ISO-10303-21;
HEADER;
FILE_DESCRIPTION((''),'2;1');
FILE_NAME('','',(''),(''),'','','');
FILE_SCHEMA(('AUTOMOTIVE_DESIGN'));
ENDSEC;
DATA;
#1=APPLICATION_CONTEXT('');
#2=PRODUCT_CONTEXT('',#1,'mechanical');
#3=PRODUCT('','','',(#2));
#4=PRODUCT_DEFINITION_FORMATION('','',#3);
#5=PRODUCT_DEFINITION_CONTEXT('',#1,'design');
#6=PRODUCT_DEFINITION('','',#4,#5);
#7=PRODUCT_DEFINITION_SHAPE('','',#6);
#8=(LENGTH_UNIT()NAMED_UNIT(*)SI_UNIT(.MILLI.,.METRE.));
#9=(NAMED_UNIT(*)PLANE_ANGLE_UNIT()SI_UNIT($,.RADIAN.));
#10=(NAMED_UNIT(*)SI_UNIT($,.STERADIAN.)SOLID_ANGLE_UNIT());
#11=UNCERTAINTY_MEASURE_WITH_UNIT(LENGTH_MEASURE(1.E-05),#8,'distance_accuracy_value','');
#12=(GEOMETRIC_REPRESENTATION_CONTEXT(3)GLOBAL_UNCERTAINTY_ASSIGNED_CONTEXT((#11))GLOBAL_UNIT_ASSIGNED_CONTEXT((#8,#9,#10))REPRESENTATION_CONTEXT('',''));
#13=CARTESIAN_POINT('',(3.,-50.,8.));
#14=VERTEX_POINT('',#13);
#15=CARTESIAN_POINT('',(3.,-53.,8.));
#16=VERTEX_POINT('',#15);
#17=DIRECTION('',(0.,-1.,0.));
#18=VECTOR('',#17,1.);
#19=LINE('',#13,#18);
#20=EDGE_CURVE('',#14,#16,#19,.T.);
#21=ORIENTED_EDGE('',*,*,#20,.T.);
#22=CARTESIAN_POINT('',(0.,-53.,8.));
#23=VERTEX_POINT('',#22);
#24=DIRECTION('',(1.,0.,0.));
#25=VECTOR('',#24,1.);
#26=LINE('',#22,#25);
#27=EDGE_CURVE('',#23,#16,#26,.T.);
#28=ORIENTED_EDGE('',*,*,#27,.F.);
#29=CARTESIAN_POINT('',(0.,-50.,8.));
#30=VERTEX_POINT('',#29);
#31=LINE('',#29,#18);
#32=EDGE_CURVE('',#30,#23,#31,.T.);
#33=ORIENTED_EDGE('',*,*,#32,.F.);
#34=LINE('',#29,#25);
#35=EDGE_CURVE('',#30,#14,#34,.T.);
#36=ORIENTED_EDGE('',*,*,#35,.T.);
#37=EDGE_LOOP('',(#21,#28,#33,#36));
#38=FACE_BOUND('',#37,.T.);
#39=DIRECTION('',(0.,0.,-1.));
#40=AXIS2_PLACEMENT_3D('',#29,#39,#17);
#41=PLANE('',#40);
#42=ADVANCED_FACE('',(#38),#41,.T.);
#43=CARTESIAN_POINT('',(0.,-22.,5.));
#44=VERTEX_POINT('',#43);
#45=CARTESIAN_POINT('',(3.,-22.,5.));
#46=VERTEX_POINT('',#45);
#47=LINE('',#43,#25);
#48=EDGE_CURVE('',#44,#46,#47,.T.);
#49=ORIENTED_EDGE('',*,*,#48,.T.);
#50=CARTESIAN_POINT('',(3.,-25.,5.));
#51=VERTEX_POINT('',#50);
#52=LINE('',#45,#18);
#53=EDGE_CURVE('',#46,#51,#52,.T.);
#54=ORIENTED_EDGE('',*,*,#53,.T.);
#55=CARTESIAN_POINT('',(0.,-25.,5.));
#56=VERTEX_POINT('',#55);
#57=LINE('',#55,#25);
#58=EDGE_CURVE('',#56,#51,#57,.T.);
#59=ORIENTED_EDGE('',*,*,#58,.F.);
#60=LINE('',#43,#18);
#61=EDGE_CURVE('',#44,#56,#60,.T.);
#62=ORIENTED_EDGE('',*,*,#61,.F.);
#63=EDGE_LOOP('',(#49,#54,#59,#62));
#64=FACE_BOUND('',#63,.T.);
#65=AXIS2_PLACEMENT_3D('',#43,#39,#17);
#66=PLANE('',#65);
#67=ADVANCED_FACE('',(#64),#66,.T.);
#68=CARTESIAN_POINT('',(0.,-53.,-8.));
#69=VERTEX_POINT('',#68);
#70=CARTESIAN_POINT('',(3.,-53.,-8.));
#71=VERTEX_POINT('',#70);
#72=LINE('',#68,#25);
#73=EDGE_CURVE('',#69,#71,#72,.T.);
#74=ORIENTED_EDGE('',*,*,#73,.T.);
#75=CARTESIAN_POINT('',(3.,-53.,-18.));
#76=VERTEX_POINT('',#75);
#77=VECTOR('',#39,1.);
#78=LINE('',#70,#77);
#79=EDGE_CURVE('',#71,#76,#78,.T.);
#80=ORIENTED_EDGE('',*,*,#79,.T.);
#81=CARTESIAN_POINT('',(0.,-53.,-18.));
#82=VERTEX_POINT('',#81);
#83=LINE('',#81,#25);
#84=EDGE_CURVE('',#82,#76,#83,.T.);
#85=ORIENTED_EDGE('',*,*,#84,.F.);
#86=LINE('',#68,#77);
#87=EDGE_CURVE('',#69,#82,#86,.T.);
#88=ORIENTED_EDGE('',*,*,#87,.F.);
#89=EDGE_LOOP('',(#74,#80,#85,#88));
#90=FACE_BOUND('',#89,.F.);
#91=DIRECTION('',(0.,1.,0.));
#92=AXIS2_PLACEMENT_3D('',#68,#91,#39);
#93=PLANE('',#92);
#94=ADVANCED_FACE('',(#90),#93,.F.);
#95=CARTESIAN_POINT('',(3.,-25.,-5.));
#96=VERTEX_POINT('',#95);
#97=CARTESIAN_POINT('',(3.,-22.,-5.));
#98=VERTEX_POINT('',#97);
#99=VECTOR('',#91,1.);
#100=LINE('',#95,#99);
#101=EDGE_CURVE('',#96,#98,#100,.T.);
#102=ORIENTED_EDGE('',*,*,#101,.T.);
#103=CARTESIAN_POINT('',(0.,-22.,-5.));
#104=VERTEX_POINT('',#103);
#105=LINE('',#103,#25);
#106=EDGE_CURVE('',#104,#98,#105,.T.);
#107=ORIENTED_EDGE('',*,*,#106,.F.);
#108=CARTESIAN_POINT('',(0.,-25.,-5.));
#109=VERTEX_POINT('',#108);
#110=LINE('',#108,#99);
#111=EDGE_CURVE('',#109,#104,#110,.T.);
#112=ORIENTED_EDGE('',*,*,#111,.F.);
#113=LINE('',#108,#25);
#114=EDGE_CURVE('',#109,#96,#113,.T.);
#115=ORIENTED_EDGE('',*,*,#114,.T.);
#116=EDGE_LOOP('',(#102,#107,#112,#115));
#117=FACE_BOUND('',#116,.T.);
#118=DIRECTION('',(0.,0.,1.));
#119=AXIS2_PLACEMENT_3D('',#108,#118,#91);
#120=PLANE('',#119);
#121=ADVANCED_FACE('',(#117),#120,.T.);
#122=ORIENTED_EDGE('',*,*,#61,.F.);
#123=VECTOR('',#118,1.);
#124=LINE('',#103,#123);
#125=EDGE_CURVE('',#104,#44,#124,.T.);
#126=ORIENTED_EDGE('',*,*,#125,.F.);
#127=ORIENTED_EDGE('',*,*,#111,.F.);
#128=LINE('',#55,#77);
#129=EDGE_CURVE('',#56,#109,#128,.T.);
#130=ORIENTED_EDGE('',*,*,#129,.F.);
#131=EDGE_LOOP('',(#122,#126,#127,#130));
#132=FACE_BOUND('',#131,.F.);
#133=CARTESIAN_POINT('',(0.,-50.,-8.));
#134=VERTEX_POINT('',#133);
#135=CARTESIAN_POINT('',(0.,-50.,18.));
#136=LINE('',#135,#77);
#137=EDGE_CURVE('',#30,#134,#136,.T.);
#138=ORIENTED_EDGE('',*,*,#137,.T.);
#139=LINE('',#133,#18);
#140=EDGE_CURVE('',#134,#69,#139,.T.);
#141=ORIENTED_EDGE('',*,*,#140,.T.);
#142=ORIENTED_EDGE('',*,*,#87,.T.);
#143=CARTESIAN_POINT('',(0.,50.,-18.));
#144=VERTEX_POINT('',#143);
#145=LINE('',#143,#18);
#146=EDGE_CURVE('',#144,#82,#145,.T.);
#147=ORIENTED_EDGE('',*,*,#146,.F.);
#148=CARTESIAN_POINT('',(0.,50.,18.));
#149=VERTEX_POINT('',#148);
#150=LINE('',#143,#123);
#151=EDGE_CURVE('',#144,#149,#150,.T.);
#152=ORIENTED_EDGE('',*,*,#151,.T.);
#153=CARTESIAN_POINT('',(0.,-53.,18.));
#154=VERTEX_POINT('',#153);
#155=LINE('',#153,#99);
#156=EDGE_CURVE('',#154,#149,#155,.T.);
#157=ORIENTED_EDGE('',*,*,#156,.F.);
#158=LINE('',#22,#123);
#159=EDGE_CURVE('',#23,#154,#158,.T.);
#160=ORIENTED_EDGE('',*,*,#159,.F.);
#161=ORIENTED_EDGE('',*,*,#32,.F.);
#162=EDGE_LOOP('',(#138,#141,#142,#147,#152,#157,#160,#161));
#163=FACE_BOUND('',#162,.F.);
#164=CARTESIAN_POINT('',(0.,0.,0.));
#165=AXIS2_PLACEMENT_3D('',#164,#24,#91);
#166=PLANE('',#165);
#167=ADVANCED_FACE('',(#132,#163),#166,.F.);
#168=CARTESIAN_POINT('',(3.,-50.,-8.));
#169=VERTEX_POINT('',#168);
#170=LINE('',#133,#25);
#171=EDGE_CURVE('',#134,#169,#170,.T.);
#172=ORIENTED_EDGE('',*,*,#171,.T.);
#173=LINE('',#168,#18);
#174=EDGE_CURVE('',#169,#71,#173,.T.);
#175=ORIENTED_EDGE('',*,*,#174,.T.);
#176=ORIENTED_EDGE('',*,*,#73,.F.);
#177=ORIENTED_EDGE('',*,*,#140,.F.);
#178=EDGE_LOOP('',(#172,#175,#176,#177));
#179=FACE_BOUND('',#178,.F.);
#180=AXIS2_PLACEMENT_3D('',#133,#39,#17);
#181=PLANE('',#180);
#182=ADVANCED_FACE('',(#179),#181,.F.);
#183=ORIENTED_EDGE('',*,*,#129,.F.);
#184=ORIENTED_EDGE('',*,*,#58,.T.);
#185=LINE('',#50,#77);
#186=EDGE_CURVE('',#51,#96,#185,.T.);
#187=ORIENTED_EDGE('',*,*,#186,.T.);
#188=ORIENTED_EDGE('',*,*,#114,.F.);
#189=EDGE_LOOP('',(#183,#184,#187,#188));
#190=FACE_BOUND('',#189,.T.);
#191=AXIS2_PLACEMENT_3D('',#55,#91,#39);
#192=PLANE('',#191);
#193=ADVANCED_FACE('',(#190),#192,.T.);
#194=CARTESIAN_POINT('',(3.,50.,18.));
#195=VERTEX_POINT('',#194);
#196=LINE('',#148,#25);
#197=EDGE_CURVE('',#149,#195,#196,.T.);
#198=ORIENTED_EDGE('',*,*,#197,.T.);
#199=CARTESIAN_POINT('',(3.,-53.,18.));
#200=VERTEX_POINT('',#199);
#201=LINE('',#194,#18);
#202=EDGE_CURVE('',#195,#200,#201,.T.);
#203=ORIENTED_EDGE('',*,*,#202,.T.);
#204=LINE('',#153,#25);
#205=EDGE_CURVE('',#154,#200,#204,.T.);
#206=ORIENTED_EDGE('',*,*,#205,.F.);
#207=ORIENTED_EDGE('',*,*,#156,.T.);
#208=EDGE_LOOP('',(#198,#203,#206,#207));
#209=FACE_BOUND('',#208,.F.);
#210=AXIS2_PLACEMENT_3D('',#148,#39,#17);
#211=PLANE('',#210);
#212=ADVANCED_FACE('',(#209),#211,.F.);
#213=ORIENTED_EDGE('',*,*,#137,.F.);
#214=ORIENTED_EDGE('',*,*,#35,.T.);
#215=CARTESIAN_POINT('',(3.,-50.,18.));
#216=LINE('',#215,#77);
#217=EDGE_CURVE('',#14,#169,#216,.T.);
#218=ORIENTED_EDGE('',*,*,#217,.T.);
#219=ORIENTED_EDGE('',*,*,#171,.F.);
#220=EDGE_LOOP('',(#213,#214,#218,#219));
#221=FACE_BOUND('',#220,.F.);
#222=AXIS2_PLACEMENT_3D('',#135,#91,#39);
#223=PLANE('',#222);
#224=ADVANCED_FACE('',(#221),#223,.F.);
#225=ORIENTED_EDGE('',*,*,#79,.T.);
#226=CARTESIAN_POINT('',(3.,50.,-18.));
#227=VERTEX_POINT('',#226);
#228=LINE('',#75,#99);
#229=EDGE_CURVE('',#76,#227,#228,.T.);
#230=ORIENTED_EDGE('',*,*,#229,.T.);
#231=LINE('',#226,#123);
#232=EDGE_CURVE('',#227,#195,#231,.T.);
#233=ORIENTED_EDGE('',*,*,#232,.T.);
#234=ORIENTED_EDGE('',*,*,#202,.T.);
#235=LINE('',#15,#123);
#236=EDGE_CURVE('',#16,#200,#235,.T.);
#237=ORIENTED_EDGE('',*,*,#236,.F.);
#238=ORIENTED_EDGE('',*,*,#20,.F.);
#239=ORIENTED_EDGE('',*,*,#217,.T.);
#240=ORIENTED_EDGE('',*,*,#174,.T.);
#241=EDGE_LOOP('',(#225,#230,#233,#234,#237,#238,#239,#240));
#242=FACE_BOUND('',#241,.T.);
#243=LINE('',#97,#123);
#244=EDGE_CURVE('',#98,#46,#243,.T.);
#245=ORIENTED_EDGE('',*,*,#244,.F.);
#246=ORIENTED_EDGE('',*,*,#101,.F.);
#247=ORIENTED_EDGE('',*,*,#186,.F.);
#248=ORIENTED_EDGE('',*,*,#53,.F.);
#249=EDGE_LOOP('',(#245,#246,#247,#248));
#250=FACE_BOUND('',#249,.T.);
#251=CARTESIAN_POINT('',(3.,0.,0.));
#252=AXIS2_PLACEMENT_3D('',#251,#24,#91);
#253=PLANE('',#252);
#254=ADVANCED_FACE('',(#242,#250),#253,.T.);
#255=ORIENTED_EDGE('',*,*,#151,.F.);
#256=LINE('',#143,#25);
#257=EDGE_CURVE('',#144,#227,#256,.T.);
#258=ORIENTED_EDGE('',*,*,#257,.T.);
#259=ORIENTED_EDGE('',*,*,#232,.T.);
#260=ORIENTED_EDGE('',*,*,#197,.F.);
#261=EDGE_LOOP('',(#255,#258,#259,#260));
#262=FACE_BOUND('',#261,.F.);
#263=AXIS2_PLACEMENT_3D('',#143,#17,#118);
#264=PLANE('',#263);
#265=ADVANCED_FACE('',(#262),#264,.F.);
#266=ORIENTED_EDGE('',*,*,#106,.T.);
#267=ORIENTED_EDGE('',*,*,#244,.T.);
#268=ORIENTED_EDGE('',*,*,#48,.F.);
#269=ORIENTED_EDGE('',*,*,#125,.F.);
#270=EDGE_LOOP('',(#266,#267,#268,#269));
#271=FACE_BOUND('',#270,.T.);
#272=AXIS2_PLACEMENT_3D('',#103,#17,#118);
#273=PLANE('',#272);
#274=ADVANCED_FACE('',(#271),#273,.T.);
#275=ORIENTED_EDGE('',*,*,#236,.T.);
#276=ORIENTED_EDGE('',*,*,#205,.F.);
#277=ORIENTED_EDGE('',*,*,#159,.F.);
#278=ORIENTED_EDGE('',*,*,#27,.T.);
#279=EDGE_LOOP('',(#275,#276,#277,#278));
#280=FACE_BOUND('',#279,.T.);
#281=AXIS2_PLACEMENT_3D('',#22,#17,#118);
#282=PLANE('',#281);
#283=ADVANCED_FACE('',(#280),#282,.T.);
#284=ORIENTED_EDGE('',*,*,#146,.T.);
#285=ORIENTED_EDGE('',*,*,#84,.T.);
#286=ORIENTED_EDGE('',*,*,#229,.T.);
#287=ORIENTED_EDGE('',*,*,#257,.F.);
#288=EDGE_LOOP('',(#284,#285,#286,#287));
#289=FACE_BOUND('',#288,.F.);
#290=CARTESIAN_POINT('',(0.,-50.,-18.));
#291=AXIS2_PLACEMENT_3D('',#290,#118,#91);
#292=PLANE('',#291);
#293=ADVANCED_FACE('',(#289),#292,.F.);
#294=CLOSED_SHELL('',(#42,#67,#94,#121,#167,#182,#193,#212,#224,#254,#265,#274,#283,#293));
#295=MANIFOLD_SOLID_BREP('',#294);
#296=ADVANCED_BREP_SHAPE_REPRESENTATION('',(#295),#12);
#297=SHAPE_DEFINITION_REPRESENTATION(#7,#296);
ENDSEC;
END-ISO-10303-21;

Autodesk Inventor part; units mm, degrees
ref_plane "YZ Plane" through (0, 0, 0) normal (1, 0, 0) x (0, 1, 0)
ref_plane "XZ Plane" through (0, 0, 0) normal (0, 1, 0) x (-1, 0, 0)
ref_plane "XY Plane" through (0, 0, 0) normal (0, 0, 1) x (1, 0, 0)
sketch "Sketch1" plane through (0, 0, 0) normal (1, 0, 0) x (0, 1, 0)
  line L0 (-50, -18) -> (50, -18)
  line L1 (50, -18) -> (50, 18)
  line L2 (50, 18) -> (-50, 18)
  line L3 (-50, 18) -> (-50, -18)
  line L4 (-50, -18) -> (50, 18) construction
  line L5 (50, -18) -> (-50, 18) construction
  point P0 (0, 0)
  dimension "d0" = 36
  dimension "d1" = 100
extrude "Extrusion1" add sketch "Sketch1" along normal blind 3
sketch "Sketch2" plane through (0, 0, 0) normal (-1, 0, 0) x (0, 0, 1)
  line L0 (-5, -22) -> (5, -22)
  line L1 (5, -22) -> (5, -25)
  line L2 (5, -25) -> (-5, -25)
  line L3 (-5, -25) -> (-5, -22)
  line L4 (18, -50) -> (-18, -50) projected
  point P0 (0, 0)
  point P1 (0, -22)
  dimension "d4" = 10
  dimension "d5" = 3
  dimension "d6" = 25
extrude "Extrusion2" cut sketch "Sketch2" against normal blind 3
sketch "Sketch3" plane through (0, 0, 0) normal (-1, 0, 0) x (0, 0, 1)
  line L0 (-18, -50) -> (-8, -50)
  line L1 (-8, -50) -> (-8, -53)
  line L2 (-8, -53) -> (-18, -53)
  line L3 (-18, -53) -> (-18, -50)
  line L4 (18, -50) -> (8, -50)
  line L5 (8, -50) -> (8, -53)
  line L6 (8, -53) -> (18, -53)
  line L7 (18, -53) -> (18, -50)
  point P0 (0, 0)
  dimension "d9" = 10
  dimension "d10" = 3
  dimension "d11" = 10
  dimension "d12" = 3
extrude "Extrusion3" add sketch "Sketch3" against normal blind 3
properties part number "Back support"
